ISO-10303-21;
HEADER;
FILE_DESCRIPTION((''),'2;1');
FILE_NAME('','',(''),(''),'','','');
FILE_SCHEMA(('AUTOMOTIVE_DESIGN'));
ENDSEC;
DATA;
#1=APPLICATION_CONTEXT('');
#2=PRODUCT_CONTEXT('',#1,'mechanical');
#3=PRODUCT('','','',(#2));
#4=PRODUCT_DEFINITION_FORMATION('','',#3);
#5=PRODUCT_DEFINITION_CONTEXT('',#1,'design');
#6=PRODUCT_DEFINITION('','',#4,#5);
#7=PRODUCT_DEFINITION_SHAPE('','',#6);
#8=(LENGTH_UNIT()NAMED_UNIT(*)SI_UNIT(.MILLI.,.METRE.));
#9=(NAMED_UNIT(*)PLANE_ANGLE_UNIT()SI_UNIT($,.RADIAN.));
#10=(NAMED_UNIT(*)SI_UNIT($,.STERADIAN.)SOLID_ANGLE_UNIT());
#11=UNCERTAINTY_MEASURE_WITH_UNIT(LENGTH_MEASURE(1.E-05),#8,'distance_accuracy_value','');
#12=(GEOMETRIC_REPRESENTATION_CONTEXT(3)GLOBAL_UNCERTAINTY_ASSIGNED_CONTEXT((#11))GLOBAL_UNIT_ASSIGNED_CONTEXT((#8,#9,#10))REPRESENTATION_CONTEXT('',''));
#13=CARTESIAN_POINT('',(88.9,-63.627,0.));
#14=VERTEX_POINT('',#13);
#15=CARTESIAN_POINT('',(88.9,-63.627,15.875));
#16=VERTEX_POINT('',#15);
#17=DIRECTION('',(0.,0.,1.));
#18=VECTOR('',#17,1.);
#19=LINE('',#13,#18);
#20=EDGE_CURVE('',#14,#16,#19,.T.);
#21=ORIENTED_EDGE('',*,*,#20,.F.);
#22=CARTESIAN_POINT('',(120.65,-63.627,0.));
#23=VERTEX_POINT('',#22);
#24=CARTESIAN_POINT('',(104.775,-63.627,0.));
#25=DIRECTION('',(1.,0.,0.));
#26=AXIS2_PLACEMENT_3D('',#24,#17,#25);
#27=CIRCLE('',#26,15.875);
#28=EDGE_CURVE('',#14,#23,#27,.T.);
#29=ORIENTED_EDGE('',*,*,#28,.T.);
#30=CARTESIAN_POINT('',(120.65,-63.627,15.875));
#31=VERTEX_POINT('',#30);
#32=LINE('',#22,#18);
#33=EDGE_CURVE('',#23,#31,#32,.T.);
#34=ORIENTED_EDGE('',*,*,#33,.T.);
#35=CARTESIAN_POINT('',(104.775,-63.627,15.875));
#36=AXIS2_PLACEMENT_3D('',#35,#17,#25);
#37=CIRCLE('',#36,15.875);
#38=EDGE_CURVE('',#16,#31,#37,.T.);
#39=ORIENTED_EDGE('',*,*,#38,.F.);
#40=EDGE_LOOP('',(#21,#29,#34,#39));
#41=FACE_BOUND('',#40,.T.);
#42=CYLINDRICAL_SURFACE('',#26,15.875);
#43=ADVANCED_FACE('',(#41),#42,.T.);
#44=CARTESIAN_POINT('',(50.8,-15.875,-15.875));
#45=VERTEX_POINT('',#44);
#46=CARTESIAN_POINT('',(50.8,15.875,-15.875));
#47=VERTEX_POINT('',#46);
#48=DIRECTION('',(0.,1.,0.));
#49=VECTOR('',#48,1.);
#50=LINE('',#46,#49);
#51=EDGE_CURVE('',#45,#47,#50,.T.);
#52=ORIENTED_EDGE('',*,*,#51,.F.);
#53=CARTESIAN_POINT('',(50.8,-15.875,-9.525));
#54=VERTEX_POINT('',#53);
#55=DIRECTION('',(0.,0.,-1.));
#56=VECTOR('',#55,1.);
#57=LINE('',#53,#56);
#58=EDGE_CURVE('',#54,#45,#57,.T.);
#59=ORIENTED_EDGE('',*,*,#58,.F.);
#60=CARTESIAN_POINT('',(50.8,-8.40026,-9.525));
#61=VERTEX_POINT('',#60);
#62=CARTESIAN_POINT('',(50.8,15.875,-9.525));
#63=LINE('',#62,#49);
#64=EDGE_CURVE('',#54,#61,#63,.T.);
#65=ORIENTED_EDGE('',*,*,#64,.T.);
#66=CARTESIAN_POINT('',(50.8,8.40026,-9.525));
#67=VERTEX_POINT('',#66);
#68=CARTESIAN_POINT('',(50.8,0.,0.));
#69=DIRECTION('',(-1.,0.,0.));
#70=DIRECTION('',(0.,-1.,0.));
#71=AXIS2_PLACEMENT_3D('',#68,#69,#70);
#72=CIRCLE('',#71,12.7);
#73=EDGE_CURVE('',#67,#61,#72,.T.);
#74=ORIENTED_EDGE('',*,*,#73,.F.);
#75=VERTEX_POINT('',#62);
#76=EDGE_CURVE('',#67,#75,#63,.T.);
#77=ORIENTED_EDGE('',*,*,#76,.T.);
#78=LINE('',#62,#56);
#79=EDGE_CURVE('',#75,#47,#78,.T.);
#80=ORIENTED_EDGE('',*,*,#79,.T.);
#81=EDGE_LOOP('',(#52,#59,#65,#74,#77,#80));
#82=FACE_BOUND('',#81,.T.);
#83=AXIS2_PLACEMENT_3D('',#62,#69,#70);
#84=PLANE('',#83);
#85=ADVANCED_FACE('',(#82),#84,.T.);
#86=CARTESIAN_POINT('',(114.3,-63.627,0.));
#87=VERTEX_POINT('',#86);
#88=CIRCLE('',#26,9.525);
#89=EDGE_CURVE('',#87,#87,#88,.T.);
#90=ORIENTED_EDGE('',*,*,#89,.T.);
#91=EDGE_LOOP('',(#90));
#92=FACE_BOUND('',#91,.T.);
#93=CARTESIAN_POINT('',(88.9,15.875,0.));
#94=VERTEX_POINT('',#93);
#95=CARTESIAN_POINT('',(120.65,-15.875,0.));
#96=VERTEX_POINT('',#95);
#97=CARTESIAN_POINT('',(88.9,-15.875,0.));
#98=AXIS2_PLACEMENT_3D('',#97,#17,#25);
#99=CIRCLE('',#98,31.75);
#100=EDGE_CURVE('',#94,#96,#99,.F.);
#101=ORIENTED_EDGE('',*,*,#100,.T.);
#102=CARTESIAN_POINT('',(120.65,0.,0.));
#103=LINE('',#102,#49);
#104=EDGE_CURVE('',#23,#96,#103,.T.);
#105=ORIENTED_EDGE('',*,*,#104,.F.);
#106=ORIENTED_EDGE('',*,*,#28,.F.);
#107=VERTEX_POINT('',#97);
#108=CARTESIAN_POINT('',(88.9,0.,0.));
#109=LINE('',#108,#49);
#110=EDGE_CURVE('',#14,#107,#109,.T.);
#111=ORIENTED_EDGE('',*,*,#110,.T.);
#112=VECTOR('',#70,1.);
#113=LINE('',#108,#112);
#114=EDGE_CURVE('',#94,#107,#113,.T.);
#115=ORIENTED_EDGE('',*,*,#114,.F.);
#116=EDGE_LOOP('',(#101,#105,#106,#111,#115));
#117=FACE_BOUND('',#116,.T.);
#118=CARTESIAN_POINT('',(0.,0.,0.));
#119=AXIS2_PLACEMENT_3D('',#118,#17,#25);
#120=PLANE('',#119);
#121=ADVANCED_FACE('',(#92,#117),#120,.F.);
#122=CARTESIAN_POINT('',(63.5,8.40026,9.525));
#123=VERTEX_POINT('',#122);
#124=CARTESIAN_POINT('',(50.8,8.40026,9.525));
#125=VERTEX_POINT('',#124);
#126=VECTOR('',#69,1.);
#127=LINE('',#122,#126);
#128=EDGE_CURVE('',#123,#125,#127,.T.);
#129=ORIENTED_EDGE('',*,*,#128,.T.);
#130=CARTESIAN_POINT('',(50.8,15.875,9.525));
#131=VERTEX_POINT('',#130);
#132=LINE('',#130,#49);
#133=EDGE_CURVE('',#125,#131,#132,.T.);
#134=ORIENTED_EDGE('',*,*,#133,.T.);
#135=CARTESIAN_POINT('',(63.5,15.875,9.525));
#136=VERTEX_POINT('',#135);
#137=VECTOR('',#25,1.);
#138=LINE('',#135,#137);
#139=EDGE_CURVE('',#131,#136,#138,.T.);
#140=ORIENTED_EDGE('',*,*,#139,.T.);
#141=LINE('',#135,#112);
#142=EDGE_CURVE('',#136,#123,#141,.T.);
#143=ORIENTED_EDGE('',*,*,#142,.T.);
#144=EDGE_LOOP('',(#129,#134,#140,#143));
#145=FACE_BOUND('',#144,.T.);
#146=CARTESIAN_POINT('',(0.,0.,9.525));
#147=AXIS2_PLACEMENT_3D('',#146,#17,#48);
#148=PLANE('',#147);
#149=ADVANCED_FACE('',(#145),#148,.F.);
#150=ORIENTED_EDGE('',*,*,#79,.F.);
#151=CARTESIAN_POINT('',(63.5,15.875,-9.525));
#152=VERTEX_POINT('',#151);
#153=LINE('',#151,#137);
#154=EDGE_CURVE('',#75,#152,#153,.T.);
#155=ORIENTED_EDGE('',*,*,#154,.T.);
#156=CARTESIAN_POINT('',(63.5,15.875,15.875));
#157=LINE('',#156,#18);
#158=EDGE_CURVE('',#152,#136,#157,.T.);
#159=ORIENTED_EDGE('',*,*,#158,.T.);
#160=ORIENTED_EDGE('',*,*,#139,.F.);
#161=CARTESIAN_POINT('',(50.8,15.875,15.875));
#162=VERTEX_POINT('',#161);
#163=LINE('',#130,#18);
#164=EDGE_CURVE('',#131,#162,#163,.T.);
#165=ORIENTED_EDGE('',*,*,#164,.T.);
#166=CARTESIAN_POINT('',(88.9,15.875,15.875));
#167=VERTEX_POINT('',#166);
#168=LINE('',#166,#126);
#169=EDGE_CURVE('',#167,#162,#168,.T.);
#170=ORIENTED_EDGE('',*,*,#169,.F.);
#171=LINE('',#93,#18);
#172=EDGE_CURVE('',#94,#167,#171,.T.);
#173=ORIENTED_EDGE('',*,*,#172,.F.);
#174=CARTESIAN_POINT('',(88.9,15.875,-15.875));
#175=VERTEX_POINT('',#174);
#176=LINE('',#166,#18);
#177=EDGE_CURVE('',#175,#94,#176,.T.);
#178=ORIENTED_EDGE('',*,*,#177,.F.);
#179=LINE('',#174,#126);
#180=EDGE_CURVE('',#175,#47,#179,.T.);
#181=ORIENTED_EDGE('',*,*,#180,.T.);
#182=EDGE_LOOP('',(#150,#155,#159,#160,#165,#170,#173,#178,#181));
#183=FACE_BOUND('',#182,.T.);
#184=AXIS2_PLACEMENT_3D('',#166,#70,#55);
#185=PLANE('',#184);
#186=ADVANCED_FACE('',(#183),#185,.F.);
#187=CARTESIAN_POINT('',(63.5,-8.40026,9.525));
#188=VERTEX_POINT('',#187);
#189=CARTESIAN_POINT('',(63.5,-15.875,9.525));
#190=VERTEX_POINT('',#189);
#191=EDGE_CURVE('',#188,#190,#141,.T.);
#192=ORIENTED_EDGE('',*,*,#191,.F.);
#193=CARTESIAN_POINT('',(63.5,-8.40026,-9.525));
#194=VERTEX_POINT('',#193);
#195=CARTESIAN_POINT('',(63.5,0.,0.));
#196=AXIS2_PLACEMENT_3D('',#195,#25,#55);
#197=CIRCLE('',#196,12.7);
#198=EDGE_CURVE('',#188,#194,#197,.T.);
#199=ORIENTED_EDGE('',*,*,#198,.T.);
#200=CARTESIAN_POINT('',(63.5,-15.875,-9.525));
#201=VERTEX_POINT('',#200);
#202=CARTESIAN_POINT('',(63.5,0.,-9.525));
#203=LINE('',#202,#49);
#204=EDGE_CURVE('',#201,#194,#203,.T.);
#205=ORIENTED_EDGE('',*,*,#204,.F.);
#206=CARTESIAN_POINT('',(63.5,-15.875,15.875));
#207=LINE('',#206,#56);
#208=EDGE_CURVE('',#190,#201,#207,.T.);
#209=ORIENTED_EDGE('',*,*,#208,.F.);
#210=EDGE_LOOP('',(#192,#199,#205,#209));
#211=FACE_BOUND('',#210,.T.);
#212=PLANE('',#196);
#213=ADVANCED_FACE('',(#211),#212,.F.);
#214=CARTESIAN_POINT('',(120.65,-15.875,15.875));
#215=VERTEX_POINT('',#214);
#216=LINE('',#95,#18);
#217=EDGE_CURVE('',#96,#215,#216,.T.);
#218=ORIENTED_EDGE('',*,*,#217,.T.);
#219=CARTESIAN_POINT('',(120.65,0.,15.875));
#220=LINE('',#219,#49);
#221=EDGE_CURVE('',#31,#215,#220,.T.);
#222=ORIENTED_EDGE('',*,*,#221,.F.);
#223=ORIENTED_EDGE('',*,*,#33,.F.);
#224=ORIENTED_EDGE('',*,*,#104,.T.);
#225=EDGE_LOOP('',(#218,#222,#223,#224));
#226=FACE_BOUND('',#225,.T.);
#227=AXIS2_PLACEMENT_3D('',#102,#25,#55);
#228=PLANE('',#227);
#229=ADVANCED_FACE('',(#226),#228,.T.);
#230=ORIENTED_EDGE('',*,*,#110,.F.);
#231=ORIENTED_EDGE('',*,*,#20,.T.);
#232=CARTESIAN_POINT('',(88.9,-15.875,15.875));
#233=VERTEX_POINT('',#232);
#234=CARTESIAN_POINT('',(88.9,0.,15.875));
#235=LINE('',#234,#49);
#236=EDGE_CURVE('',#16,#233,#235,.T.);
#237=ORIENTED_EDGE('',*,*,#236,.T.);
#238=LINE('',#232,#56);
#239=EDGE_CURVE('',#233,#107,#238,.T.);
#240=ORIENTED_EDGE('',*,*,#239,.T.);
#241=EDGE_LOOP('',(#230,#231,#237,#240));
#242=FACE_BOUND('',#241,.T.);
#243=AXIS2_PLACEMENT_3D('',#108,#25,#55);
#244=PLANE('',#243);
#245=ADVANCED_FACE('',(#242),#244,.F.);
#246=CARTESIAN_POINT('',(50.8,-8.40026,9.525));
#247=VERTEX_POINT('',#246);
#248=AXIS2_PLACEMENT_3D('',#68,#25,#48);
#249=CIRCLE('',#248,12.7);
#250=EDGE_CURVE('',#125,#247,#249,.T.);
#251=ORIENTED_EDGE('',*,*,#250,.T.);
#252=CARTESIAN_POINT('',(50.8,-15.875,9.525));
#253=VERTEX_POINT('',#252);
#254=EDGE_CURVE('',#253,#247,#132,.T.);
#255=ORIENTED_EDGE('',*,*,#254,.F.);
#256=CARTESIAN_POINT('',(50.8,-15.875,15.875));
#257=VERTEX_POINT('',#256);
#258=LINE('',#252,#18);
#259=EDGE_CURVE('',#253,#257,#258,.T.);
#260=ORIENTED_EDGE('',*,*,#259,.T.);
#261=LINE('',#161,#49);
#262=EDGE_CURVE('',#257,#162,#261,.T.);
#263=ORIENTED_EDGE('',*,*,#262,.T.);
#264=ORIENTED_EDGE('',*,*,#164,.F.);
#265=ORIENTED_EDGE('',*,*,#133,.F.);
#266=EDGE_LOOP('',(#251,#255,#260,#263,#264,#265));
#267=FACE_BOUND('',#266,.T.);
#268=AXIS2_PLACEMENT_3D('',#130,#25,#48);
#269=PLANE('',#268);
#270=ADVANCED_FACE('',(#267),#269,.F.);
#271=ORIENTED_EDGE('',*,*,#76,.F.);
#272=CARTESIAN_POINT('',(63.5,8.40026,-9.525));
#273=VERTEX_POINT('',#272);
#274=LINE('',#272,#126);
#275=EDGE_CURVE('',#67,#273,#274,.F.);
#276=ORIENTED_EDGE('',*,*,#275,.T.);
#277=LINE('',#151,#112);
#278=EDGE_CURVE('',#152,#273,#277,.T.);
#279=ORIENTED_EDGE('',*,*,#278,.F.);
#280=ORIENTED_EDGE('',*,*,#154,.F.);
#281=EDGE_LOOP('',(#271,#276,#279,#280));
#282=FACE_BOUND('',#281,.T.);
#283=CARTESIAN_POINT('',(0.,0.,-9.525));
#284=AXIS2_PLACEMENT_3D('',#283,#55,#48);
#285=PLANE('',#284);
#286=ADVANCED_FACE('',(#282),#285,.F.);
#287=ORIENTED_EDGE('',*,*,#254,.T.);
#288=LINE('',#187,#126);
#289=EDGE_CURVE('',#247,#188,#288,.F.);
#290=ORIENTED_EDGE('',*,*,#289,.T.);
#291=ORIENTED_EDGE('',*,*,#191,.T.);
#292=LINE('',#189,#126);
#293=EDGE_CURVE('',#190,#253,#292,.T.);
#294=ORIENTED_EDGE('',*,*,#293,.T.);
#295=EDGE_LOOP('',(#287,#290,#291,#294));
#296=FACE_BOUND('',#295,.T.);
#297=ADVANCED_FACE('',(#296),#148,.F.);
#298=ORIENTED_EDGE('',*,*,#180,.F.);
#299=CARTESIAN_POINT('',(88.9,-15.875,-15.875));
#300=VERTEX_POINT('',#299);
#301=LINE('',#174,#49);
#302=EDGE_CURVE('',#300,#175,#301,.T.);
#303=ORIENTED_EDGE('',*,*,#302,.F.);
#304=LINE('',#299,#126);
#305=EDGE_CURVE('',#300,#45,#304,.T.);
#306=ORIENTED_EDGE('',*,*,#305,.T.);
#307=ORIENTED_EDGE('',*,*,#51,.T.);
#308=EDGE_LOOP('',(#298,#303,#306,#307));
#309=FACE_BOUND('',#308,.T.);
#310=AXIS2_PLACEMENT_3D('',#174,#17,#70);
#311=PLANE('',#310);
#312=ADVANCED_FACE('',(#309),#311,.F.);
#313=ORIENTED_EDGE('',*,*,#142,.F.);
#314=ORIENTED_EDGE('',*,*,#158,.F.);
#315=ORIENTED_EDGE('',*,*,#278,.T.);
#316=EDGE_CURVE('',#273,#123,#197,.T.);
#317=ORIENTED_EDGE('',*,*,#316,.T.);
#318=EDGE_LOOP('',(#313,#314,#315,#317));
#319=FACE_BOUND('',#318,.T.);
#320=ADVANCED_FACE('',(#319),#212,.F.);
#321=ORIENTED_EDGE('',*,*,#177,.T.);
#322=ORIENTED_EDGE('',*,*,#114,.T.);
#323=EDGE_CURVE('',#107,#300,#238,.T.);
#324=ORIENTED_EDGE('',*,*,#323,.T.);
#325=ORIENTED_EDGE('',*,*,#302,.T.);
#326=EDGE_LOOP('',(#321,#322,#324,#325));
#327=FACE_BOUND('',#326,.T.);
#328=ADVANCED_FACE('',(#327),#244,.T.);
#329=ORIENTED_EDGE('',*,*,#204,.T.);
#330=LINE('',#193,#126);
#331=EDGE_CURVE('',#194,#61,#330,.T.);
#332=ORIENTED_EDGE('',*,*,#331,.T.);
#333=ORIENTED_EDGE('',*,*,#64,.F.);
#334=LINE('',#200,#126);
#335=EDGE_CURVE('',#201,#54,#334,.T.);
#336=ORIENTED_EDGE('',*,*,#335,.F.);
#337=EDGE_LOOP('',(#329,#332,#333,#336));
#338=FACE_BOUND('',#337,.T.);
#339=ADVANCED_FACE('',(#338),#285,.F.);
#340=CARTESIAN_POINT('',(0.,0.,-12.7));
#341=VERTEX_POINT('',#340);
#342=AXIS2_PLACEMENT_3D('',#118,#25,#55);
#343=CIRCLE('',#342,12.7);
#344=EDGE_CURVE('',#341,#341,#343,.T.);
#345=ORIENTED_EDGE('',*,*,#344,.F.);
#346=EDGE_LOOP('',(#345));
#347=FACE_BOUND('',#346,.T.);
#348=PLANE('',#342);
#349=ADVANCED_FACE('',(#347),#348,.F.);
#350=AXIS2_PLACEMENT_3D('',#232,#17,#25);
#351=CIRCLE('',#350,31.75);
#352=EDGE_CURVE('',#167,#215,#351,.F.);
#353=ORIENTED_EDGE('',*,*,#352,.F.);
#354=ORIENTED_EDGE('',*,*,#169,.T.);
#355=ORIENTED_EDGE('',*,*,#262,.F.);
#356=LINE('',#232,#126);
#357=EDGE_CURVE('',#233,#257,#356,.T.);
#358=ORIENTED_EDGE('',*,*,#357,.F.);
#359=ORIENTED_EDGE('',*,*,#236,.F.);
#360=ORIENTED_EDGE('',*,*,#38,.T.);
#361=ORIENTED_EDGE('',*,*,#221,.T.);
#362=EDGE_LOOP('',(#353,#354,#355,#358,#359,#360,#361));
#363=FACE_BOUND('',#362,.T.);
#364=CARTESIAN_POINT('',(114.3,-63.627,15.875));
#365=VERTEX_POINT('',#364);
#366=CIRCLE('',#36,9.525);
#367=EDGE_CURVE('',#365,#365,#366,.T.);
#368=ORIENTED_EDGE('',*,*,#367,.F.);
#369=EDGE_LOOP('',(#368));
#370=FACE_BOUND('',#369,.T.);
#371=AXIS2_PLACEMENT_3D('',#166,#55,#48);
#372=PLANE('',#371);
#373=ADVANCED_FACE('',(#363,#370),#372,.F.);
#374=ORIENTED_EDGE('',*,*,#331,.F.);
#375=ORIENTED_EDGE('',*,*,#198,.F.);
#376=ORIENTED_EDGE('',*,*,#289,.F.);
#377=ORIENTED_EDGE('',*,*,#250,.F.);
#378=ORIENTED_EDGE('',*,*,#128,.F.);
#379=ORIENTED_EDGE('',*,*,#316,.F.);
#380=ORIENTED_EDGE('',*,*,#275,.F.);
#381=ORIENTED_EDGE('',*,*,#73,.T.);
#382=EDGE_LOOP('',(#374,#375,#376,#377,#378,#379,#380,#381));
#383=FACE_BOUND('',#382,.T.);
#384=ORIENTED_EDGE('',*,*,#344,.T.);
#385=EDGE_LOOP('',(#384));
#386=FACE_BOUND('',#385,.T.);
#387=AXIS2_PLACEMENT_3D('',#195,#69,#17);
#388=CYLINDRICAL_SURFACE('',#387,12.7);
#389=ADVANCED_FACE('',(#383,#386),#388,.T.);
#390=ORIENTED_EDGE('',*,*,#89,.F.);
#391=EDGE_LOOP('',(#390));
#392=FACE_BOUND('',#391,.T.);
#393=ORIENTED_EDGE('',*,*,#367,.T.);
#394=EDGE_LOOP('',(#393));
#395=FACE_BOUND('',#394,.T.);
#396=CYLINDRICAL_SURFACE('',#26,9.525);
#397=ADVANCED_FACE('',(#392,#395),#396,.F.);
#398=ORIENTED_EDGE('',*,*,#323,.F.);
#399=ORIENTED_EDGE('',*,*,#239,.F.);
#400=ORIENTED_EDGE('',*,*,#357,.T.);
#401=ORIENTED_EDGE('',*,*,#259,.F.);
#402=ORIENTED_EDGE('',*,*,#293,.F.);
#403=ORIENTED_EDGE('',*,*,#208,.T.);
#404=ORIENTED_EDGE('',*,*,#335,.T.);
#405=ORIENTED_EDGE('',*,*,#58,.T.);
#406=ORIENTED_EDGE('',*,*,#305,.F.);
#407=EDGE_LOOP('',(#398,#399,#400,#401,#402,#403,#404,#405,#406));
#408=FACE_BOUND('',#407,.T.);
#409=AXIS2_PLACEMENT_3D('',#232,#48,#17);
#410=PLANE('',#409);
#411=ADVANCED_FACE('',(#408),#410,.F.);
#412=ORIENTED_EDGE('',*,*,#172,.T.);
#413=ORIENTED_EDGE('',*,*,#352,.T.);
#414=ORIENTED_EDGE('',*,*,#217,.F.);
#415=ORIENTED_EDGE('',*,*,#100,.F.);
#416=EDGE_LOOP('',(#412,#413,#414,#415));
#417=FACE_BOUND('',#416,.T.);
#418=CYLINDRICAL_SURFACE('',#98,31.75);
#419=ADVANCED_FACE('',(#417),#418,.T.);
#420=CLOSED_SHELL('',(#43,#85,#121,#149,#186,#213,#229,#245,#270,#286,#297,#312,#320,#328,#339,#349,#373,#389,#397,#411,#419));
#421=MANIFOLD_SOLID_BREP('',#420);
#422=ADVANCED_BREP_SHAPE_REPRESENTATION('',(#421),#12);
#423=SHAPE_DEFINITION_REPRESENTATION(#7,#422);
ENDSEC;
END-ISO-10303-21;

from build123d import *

# Parameters (mm, degrees)
SKETCH2_R           = 12.7
BOSS_EXTRUDE1_DEPTH = 63.5
SKETCH3_W           = 31.75
SKETCH3_H           = 31.75
BOSS_EXTRUDE2_DEPTH = 25.4
SKETCH6_W           = 12.7
SKETCH6_H           = 31.75
BOSS_EXTRUDE3_DEPTH = 6.35
SKETCH7_R           = 9.525
BOSS_EXTRUDE4_DEPTH = 15.875


with BuildPart() as part:
    # Sketch2 → Boss-Extrude1 (new body)
    with BuildSketch(Plane(origin=(0, 0, 0), x_dir=(0, 0, -1), z_dir=(1, 0, 0))):
        Circle(SKETCH2_R)
    extrude(amount=BOSS_EXTRUDE1_DEPTH)

    # Sketch3 → Boss-Extrude2 (add)
    with BuildSketch(Plane(origin=(63.5, 0, 0), x_dir=(0, 0, -1), z_dir=(1, 0, 0))):
        Rectangle(SKETCH3_W, SKETCH3_H)
    extrude(amount=BOSS_EXTRUDE2_DEPTH)

    # Sketch6 → Boss-Extrude3 (add)
    with BuildSketch(Plane(origin=(0, 0, -15.875), x_dir=(-1, 0, 0), z_dir=(0, 0, -1))):
        with Locations((-57.15, 0)):
            Rectangle(SKETCH6_W, SKETCH6_H)
    boss_extrude3 = extrude(amount=-BOSS_EXTRUDE3_DEPTH)

    # Mirror1: Boss-Extrude3 across plane
    add(boss_extrude3.mirror(Plane.XY))

    # Sketch7 → Boss-Extrude4 (add)
    with BuildSketch(Plane.XY.offset(15.875)):
        with BuildLine():
            Line((88.9, 15.875), (88.9, -63.627))
            ThreePointArc((88.9, -63.627), (104.775, -79.502), (120.65, -63.627))
            Line((120.65, -63.627), (120.65, -15.875))
            ThreePointArc((120.65, -15.875), (111.350640303, 6.575640303), (88.9, 15.875))
        make_face()
        with Locations((104.775, -63.627)):
            Circle(SKETCH7_R, mode=Mode.SUBTRACT)
    extrude(amount=-BOSS_EXTRUDE4_DEPTH)


solid = part.part
